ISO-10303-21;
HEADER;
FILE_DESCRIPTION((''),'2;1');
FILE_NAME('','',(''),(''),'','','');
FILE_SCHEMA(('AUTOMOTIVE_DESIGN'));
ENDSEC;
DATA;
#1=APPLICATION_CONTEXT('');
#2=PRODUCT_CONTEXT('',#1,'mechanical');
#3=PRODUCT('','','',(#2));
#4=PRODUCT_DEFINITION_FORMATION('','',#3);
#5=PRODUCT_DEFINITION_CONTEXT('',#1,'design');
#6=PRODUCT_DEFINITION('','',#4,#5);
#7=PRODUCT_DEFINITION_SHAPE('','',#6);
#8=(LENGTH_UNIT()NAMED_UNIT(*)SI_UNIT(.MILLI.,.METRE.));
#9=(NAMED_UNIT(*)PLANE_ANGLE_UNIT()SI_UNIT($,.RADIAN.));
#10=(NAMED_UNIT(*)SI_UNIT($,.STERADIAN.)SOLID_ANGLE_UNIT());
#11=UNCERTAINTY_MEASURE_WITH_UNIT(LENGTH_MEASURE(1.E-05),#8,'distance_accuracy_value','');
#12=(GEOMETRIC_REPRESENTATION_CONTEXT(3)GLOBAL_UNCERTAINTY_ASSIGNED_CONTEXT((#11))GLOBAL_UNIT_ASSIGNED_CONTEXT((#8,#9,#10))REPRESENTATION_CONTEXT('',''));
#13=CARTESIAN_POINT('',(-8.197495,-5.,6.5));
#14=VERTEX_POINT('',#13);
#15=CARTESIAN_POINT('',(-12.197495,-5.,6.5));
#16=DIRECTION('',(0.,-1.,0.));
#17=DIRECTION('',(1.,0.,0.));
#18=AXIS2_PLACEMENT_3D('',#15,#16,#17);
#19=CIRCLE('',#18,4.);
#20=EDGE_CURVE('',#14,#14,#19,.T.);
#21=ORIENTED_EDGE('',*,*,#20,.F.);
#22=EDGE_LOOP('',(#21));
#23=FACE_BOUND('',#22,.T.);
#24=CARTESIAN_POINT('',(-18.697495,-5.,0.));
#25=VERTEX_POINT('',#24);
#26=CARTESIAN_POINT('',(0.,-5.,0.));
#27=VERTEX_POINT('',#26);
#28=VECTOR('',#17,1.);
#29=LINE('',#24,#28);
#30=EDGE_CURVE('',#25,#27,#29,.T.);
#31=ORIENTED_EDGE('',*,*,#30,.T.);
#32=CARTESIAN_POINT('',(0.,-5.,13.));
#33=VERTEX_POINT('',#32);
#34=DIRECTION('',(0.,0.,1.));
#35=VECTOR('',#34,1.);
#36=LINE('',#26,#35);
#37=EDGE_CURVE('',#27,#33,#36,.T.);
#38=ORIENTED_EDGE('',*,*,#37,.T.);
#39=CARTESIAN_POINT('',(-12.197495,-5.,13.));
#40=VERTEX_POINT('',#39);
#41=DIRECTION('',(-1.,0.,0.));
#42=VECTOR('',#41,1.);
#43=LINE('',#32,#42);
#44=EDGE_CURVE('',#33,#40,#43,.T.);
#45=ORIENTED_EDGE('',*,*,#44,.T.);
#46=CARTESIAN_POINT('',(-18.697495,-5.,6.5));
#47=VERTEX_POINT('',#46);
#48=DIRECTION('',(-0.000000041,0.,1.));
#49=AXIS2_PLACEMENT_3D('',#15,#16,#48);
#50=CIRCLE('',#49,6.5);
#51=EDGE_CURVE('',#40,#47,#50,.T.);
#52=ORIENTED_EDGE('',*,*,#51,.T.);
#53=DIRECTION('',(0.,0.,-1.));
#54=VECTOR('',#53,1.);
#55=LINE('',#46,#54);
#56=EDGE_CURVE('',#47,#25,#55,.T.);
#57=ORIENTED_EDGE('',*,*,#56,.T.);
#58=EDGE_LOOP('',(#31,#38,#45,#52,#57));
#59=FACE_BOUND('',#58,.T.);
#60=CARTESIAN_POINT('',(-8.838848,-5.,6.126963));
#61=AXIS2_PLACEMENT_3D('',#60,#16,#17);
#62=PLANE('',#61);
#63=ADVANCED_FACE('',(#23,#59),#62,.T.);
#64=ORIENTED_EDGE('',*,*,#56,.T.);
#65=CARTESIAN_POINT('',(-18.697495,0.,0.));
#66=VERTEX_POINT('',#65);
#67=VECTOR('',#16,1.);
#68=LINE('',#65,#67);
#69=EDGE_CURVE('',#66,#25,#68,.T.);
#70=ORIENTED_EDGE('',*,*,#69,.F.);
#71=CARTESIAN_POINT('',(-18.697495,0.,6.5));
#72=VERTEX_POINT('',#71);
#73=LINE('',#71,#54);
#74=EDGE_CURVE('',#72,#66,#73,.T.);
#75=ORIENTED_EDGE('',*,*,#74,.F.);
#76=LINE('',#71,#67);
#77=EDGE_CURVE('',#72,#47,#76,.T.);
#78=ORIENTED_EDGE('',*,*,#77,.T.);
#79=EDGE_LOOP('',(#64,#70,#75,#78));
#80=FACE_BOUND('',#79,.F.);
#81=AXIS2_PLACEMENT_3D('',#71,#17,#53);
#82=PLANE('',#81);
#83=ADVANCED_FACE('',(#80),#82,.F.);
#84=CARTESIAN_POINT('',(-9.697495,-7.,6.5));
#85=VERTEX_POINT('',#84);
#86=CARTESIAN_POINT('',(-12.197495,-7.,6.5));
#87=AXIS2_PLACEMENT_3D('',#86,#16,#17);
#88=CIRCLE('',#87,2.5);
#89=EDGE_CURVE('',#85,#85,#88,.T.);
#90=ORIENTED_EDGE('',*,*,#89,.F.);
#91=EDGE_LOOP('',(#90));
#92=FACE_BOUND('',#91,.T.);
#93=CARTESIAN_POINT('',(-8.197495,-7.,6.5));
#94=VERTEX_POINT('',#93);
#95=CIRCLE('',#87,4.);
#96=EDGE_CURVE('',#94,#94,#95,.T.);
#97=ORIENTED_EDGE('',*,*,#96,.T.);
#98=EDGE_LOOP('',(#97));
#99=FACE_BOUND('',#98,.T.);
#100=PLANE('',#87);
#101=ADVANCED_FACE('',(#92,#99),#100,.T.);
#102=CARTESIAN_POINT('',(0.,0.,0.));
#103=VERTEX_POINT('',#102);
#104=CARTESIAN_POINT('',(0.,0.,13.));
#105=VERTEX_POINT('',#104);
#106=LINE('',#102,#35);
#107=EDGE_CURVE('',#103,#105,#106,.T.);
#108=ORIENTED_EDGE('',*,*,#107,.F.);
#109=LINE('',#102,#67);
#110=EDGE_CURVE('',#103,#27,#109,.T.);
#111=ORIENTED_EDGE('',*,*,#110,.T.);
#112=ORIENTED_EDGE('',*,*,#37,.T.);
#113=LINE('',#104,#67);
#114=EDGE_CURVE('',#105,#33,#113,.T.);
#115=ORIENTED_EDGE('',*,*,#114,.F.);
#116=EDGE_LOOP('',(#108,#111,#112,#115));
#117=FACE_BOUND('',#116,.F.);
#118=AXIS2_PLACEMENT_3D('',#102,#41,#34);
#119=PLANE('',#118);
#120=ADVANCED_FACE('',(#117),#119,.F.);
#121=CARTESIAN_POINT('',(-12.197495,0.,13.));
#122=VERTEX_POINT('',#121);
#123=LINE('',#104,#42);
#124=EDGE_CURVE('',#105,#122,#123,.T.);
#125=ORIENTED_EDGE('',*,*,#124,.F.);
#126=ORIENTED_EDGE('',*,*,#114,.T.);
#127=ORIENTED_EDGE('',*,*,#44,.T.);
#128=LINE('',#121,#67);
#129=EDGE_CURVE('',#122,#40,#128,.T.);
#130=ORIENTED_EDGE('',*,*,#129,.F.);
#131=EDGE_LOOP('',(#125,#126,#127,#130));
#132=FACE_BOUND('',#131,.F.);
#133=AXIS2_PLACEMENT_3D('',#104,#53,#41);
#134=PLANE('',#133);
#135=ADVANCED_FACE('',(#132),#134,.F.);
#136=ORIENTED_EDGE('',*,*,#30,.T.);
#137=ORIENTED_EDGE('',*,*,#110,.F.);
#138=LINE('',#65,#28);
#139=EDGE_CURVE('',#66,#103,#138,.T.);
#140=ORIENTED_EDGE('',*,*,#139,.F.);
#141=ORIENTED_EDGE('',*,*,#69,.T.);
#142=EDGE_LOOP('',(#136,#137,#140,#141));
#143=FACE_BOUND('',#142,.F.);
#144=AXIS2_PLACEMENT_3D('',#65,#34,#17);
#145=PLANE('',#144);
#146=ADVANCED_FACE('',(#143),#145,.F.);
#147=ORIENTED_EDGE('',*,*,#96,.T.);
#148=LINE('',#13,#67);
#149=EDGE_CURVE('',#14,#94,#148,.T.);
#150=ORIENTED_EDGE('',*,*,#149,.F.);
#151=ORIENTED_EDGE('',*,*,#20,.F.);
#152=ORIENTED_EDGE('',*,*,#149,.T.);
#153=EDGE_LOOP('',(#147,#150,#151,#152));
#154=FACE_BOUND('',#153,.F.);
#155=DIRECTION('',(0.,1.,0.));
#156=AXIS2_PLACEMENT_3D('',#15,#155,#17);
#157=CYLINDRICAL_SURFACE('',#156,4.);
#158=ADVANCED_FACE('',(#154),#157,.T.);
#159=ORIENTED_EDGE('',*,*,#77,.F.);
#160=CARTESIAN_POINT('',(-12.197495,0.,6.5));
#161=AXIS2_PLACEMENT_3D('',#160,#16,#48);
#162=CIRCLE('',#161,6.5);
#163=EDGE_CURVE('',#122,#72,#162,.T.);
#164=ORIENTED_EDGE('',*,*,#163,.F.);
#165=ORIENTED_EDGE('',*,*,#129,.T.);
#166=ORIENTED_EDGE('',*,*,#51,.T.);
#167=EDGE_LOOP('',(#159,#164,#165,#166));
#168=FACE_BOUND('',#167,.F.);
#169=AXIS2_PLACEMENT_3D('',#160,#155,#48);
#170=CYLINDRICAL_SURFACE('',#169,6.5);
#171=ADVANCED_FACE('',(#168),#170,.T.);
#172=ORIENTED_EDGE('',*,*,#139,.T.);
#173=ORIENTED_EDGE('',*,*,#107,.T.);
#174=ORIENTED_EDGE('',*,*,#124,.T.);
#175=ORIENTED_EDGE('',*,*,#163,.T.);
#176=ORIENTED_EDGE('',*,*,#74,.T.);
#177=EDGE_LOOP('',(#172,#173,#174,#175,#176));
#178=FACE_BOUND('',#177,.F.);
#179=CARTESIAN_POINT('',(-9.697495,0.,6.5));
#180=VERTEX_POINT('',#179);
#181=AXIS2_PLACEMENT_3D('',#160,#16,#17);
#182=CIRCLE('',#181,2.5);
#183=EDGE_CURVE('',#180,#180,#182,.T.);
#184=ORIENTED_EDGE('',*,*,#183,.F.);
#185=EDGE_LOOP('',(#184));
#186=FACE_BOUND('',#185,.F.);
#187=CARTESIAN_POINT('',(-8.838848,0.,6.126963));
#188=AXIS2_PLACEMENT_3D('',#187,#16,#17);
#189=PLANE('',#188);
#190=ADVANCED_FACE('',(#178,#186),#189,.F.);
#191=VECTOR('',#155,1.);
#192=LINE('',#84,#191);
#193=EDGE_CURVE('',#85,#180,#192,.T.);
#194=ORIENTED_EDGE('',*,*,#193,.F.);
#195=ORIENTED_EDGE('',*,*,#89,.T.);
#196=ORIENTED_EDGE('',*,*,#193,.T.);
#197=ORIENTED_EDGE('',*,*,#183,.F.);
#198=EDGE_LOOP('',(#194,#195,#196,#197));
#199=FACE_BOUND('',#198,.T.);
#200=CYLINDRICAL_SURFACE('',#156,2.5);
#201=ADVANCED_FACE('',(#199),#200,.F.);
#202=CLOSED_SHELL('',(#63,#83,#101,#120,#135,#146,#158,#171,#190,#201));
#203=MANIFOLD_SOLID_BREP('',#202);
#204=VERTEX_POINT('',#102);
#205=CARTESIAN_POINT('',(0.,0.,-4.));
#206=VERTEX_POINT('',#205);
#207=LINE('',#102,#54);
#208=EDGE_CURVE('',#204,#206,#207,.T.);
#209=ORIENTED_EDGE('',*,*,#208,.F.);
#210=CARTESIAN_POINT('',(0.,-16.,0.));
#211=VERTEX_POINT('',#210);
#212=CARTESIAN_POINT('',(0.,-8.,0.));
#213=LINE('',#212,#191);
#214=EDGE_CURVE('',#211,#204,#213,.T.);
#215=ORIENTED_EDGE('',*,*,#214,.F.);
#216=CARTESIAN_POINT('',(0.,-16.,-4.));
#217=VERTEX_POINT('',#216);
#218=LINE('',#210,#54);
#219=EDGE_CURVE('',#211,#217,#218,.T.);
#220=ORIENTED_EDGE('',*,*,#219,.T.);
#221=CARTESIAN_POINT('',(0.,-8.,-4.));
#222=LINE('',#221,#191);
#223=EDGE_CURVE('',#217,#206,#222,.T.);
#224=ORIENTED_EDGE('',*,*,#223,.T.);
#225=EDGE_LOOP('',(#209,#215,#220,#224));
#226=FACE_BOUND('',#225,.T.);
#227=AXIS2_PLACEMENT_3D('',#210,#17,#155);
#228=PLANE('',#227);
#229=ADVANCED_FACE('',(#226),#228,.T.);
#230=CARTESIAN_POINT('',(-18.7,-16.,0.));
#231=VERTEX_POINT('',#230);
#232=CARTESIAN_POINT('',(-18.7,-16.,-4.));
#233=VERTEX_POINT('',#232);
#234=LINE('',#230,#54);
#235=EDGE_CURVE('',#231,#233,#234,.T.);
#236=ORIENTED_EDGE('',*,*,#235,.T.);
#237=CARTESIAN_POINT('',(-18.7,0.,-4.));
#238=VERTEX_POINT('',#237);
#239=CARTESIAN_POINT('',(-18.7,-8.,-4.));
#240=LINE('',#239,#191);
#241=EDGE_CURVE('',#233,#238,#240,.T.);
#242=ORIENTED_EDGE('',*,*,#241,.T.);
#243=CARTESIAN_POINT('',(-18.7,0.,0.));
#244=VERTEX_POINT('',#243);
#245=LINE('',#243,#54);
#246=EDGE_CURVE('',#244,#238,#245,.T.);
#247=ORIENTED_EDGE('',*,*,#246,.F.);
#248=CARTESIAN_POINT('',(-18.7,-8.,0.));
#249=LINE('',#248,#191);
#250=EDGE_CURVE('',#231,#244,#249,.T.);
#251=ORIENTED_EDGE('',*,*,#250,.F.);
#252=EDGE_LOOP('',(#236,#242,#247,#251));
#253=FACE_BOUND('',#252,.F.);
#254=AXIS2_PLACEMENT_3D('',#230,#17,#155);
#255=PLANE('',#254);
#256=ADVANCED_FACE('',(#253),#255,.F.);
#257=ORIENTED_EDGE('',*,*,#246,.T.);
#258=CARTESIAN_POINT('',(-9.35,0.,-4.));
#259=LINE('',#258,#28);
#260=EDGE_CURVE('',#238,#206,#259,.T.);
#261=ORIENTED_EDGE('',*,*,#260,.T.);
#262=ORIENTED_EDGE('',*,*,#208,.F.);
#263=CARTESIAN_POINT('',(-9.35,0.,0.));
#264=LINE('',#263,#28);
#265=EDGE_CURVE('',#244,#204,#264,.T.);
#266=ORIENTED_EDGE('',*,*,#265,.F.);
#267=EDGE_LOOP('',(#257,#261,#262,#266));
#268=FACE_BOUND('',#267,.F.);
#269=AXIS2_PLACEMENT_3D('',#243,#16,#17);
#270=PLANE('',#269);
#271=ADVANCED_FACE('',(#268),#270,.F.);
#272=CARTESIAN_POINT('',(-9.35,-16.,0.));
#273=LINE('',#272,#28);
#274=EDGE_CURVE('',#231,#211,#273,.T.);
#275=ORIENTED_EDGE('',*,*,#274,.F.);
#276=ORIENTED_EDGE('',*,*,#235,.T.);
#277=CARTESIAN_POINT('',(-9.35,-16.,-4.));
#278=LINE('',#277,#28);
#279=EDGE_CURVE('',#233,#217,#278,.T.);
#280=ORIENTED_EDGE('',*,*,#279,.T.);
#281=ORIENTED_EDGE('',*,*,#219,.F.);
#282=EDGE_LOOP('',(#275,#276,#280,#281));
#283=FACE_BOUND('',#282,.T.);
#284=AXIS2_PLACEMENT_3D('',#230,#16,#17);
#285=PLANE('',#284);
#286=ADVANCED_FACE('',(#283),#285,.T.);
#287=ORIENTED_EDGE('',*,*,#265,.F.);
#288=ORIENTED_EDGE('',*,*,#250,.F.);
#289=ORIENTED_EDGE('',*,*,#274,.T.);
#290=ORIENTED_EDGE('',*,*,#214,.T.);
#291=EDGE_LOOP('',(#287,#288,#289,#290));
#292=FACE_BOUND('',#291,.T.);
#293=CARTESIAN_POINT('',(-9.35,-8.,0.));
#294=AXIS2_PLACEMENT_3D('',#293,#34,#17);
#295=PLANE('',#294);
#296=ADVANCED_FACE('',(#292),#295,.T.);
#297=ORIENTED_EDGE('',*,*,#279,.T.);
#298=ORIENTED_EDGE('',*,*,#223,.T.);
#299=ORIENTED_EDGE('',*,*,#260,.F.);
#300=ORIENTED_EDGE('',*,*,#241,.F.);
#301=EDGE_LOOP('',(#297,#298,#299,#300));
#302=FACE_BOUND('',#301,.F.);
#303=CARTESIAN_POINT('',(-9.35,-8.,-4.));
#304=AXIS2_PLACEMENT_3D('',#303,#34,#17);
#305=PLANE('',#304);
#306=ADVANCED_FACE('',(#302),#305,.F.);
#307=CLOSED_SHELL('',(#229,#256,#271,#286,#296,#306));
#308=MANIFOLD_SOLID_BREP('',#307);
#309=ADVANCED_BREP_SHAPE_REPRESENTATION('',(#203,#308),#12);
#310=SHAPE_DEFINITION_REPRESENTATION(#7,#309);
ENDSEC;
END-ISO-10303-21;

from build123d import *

# Parameters (mm, degrees)
F0_R     = 2.5
F1_DEPTH = 5
F2_R     = 4
F2_R_2   = 2.5
F3_DEPTH = 2
F4_W     = 18.7
F4_H     = 16
F5_DEPTH = 4


with BuildPart() as f1:
    # F0 (on Front) → F1 (new body)
    with BuildSketch(Plane.XZ):
        with BuildLine():
            Line((-12.197495, 0), (0, 0))
            Line((0, 0), (0, 13))
            Line((0, 13), (-12.197495, 13))
            ThreePointArc((-12.197495, 13), (-16.793689, 11.096194), (-18.697495, 6.5))
            Line((-18.697495, 6.5), (-18.697495, 0))
            Line((-18.697495, 0), (-12.197495, 0))
        make_face()
        with Locations((-12.197495, 6.5)):
            Circle(F0_R, mode=Mode.SUBTRACT)
    extrude(amount=F1_DEPTH)

    # F2 (on face) → F3 (join)
    with BuildSketch(Plane.XZ.offset(5)):
        with Locations((-12.197495, 6.5)):
            Circle(F2_R)
        with Locations((-12.197495, 6.5)):
            Circle(F2_R_2, mode=Mode.SUBTRACT)
    extrude(amount=F3_DEPTH)


with BuildPart() as f5:
    # F4 (on Top) → F5 (new body)
    with BuildSketch(Plane.XY):
        with Locations((-9.35, -8)):
            Rectangle(F4_W, F4_H)
    extrude(amount=-F5_DEPTH)


solid = Compound([f1.part, f5.part])
